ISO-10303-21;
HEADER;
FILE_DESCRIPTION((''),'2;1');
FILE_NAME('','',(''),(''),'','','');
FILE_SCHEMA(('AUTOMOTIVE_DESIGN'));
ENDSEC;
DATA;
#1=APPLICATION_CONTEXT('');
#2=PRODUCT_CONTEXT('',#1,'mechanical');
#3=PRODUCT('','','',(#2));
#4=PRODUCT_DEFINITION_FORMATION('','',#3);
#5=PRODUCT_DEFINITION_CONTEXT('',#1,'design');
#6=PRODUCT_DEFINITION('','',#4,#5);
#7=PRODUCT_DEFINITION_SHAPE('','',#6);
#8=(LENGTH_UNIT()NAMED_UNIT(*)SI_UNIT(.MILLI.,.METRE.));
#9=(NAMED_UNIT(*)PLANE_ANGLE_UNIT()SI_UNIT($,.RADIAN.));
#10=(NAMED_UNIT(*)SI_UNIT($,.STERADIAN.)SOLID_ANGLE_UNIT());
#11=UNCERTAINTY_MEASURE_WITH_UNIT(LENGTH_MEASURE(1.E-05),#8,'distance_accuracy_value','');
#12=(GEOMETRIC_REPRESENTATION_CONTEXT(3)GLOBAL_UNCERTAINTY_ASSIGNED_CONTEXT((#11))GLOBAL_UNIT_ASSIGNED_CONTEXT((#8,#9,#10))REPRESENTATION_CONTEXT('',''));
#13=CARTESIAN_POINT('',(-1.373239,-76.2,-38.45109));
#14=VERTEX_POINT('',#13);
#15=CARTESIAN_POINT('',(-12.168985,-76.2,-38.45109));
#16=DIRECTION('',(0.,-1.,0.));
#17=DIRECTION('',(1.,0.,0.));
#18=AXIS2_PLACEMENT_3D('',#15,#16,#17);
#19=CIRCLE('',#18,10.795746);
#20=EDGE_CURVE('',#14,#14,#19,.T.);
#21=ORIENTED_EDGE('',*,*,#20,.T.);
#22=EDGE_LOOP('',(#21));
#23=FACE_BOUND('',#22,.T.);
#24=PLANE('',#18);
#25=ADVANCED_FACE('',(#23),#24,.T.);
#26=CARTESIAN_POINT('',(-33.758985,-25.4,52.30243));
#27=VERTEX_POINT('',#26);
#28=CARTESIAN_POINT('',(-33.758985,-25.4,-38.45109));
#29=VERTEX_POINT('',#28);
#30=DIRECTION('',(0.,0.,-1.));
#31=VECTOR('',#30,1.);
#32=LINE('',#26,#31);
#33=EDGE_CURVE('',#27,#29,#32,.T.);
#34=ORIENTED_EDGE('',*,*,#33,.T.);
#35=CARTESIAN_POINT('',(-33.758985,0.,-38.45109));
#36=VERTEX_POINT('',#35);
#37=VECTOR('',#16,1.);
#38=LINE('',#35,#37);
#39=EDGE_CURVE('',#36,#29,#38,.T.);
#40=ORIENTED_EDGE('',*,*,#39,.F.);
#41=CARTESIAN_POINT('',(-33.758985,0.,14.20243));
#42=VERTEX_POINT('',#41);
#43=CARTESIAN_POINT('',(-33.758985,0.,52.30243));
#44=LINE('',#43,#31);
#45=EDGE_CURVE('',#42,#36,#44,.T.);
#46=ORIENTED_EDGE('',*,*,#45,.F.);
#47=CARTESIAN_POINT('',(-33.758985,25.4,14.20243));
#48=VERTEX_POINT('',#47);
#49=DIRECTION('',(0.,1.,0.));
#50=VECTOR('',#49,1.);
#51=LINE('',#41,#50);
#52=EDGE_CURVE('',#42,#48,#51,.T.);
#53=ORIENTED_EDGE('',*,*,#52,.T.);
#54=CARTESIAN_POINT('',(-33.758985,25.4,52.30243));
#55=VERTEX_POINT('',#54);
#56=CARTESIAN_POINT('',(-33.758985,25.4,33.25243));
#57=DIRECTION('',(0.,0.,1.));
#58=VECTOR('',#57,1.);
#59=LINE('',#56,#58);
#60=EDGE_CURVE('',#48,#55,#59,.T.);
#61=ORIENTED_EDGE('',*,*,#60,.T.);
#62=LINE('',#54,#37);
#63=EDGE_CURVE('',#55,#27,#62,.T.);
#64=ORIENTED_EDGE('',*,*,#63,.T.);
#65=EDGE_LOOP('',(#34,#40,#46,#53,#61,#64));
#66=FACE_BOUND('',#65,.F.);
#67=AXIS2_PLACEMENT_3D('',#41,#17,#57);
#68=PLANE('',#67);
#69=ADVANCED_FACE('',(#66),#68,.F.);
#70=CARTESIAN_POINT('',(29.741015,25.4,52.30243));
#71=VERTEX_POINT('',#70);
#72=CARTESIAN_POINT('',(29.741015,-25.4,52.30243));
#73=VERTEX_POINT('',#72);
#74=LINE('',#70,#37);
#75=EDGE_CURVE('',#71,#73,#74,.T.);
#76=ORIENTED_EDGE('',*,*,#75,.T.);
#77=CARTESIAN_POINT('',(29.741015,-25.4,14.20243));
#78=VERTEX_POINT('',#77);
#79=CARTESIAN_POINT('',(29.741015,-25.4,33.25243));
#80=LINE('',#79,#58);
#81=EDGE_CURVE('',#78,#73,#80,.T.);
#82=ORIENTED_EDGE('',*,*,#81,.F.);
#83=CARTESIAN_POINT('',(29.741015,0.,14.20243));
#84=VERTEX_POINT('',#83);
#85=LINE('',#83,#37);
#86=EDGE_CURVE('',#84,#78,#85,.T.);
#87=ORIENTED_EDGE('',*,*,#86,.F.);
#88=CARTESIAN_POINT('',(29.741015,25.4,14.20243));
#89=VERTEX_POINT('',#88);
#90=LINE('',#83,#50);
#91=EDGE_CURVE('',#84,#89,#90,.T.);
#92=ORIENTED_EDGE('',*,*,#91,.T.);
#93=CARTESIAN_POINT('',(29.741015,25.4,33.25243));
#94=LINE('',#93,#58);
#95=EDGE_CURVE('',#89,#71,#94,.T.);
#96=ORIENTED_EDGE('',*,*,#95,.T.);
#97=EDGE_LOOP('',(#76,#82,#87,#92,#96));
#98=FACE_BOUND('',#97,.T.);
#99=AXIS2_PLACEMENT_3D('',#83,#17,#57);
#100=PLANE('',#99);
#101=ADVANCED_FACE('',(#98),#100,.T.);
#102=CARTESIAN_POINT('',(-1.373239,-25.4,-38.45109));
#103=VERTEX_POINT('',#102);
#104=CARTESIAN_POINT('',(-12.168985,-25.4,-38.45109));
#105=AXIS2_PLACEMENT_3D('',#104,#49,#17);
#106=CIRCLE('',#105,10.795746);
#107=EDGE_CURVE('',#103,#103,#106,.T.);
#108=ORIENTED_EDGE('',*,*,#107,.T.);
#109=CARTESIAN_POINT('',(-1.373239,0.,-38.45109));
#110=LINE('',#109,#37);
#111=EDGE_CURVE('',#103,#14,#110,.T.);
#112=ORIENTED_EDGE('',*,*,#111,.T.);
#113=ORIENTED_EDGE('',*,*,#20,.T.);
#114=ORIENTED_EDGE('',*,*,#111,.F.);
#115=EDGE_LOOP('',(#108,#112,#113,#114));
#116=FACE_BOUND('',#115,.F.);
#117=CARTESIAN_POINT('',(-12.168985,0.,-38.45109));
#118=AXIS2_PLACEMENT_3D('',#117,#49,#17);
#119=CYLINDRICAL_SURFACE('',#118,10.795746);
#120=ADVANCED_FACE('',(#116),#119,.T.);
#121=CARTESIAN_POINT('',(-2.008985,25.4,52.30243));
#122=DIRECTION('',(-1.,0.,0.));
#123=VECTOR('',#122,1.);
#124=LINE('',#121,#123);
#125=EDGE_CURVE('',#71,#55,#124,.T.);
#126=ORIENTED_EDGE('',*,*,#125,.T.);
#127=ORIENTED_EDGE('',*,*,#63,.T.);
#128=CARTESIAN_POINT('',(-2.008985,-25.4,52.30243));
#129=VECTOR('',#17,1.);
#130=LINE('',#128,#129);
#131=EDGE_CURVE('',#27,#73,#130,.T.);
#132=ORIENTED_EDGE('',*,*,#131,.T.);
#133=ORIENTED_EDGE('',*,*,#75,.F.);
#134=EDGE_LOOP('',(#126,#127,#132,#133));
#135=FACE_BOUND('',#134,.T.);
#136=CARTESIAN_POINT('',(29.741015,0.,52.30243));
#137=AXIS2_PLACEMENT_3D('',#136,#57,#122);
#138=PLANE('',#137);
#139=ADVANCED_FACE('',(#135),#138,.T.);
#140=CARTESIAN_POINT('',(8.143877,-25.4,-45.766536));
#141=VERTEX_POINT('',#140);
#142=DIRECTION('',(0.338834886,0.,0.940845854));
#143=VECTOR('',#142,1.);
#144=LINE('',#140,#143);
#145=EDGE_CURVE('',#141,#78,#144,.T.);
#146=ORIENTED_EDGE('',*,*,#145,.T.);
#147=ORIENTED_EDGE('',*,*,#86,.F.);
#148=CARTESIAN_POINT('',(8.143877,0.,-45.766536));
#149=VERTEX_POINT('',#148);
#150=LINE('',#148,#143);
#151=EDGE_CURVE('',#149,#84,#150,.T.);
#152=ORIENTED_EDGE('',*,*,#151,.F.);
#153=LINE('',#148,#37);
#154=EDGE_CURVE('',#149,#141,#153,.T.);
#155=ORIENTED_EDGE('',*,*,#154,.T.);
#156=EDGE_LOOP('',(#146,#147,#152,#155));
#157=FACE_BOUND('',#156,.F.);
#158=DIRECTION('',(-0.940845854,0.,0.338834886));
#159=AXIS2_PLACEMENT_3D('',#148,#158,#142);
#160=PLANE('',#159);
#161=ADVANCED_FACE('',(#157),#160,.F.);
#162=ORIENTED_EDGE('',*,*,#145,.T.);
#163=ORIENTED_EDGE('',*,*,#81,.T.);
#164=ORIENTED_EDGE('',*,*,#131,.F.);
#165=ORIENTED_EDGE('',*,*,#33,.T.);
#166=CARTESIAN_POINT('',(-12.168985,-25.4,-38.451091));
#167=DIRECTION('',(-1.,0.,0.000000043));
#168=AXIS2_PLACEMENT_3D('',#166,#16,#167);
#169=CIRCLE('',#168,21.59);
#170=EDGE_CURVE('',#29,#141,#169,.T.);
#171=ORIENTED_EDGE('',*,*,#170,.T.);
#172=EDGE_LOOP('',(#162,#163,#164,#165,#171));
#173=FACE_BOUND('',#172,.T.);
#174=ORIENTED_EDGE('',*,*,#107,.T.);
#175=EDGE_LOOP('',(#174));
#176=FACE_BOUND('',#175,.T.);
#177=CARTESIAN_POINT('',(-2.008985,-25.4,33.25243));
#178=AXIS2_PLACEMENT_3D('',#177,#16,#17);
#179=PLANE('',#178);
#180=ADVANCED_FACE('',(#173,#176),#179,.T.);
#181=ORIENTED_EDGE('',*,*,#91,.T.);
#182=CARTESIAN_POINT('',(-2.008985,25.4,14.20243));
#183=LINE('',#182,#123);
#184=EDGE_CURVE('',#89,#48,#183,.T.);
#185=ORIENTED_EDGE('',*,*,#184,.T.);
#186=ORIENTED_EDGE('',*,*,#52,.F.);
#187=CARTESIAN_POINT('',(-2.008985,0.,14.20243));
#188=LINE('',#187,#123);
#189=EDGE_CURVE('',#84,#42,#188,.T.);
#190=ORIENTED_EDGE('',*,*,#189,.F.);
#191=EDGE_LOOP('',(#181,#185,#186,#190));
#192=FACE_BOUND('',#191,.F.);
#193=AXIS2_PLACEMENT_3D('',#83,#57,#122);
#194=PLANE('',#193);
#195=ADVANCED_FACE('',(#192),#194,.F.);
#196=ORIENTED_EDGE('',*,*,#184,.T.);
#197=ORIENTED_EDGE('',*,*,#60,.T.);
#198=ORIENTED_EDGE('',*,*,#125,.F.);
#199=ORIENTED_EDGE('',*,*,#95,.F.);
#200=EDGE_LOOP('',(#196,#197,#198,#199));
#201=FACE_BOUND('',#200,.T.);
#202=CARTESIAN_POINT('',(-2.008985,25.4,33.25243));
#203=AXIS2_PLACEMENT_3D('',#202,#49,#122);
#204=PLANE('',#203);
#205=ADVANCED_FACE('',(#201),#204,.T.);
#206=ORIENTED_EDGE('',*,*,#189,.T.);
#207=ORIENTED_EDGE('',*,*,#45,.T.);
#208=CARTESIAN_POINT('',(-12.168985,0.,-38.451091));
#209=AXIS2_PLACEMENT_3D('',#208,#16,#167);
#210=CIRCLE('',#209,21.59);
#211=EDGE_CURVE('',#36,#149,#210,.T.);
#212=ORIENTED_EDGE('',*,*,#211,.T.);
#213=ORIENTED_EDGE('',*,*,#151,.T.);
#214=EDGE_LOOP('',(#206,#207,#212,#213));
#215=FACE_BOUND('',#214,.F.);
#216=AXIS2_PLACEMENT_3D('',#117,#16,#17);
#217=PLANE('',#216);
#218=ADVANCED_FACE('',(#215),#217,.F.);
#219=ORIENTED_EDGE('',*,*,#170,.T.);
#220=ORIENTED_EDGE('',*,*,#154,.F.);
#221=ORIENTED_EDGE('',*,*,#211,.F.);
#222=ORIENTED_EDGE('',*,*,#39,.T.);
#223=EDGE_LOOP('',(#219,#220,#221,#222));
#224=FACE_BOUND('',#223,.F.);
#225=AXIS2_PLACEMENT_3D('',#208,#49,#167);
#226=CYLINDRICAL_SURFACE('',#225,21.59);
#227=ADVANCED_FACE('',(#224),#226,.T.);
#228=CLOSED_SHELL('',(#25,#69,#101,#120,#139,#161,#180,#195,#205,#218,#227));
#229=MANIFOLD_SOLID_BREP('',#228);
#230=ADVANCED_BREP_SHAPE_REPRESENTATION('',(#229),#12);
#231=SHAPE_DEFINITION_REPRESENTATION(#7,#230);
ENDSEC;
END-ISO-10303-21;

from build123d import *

# Parameters (mm, degrees)
F0_W     = 63.5
F0_H     = 38.1
F1_DEPTH = 25.4
F2_R     = 10.795746
F3_DEPTH = 76.2
F4_W     = 63.5
F4_H     = 38.1
F5_DEPTH = 25.4


with BuildPart() as f1:
    # F0 (on Front) → F1 (new body)
    with BuildSketch(Plane.XZ):
        with Locations((-2.008985, 33.25243)):
            Rectangle(F0_W, F0_H)
        with BuildLine():
            Line((29.741015, 14.20243), (-33.758985, 14.20243))
            Line((-33.758985, 14.20243), (-33.758985, -38.45109))
            ThreePointArc((-33.758985, -38.45109), (-12.168985, -16.86109), (9.421015, -38.45109))
            ThreePointArc((9.421015, -38.45109), (9.099334, -42.164136), (8.143877, -45.766536))
            Line((8.143877, -45.766536), (29.741015, 14.20243))
        make_face()
        with BuildLine():
            ThreePointArc((9.421015, -38.45109), (-12.168985, -16.86109), (-33.758985, -38.45109))
            ThreePointArc((-33.758985, -38.45109), (-15.88203, -59.71941), (8.143877, -45.766536))
            ThreePointArc((8.143877, -45.766536), (9.099334, -42.164136), (9.421015, -38.45109))
        make_face()
    extrude(amount=F1_DEPTH)

    # F2 (on Front) → F3 (join)
    with BuildSketch(Plane.XZ):
        with Locations((-12.168985, -38.45109)):
            Circle(F2_R)
    extrude(amount=F3_DEPTH)

    # F4 (on face) → F5 (join)
    with BuildSketch(Plane(origin=(0, 0, 0), x_dir=(-1, 0, 0), z_dir=(0, 1, 0))):
        with Locations((2.008985, 33.25243)):
            Rectangle(F4_W, F4_H)
    extrude(amount=F5_DEPTH)


solid = f1.part
